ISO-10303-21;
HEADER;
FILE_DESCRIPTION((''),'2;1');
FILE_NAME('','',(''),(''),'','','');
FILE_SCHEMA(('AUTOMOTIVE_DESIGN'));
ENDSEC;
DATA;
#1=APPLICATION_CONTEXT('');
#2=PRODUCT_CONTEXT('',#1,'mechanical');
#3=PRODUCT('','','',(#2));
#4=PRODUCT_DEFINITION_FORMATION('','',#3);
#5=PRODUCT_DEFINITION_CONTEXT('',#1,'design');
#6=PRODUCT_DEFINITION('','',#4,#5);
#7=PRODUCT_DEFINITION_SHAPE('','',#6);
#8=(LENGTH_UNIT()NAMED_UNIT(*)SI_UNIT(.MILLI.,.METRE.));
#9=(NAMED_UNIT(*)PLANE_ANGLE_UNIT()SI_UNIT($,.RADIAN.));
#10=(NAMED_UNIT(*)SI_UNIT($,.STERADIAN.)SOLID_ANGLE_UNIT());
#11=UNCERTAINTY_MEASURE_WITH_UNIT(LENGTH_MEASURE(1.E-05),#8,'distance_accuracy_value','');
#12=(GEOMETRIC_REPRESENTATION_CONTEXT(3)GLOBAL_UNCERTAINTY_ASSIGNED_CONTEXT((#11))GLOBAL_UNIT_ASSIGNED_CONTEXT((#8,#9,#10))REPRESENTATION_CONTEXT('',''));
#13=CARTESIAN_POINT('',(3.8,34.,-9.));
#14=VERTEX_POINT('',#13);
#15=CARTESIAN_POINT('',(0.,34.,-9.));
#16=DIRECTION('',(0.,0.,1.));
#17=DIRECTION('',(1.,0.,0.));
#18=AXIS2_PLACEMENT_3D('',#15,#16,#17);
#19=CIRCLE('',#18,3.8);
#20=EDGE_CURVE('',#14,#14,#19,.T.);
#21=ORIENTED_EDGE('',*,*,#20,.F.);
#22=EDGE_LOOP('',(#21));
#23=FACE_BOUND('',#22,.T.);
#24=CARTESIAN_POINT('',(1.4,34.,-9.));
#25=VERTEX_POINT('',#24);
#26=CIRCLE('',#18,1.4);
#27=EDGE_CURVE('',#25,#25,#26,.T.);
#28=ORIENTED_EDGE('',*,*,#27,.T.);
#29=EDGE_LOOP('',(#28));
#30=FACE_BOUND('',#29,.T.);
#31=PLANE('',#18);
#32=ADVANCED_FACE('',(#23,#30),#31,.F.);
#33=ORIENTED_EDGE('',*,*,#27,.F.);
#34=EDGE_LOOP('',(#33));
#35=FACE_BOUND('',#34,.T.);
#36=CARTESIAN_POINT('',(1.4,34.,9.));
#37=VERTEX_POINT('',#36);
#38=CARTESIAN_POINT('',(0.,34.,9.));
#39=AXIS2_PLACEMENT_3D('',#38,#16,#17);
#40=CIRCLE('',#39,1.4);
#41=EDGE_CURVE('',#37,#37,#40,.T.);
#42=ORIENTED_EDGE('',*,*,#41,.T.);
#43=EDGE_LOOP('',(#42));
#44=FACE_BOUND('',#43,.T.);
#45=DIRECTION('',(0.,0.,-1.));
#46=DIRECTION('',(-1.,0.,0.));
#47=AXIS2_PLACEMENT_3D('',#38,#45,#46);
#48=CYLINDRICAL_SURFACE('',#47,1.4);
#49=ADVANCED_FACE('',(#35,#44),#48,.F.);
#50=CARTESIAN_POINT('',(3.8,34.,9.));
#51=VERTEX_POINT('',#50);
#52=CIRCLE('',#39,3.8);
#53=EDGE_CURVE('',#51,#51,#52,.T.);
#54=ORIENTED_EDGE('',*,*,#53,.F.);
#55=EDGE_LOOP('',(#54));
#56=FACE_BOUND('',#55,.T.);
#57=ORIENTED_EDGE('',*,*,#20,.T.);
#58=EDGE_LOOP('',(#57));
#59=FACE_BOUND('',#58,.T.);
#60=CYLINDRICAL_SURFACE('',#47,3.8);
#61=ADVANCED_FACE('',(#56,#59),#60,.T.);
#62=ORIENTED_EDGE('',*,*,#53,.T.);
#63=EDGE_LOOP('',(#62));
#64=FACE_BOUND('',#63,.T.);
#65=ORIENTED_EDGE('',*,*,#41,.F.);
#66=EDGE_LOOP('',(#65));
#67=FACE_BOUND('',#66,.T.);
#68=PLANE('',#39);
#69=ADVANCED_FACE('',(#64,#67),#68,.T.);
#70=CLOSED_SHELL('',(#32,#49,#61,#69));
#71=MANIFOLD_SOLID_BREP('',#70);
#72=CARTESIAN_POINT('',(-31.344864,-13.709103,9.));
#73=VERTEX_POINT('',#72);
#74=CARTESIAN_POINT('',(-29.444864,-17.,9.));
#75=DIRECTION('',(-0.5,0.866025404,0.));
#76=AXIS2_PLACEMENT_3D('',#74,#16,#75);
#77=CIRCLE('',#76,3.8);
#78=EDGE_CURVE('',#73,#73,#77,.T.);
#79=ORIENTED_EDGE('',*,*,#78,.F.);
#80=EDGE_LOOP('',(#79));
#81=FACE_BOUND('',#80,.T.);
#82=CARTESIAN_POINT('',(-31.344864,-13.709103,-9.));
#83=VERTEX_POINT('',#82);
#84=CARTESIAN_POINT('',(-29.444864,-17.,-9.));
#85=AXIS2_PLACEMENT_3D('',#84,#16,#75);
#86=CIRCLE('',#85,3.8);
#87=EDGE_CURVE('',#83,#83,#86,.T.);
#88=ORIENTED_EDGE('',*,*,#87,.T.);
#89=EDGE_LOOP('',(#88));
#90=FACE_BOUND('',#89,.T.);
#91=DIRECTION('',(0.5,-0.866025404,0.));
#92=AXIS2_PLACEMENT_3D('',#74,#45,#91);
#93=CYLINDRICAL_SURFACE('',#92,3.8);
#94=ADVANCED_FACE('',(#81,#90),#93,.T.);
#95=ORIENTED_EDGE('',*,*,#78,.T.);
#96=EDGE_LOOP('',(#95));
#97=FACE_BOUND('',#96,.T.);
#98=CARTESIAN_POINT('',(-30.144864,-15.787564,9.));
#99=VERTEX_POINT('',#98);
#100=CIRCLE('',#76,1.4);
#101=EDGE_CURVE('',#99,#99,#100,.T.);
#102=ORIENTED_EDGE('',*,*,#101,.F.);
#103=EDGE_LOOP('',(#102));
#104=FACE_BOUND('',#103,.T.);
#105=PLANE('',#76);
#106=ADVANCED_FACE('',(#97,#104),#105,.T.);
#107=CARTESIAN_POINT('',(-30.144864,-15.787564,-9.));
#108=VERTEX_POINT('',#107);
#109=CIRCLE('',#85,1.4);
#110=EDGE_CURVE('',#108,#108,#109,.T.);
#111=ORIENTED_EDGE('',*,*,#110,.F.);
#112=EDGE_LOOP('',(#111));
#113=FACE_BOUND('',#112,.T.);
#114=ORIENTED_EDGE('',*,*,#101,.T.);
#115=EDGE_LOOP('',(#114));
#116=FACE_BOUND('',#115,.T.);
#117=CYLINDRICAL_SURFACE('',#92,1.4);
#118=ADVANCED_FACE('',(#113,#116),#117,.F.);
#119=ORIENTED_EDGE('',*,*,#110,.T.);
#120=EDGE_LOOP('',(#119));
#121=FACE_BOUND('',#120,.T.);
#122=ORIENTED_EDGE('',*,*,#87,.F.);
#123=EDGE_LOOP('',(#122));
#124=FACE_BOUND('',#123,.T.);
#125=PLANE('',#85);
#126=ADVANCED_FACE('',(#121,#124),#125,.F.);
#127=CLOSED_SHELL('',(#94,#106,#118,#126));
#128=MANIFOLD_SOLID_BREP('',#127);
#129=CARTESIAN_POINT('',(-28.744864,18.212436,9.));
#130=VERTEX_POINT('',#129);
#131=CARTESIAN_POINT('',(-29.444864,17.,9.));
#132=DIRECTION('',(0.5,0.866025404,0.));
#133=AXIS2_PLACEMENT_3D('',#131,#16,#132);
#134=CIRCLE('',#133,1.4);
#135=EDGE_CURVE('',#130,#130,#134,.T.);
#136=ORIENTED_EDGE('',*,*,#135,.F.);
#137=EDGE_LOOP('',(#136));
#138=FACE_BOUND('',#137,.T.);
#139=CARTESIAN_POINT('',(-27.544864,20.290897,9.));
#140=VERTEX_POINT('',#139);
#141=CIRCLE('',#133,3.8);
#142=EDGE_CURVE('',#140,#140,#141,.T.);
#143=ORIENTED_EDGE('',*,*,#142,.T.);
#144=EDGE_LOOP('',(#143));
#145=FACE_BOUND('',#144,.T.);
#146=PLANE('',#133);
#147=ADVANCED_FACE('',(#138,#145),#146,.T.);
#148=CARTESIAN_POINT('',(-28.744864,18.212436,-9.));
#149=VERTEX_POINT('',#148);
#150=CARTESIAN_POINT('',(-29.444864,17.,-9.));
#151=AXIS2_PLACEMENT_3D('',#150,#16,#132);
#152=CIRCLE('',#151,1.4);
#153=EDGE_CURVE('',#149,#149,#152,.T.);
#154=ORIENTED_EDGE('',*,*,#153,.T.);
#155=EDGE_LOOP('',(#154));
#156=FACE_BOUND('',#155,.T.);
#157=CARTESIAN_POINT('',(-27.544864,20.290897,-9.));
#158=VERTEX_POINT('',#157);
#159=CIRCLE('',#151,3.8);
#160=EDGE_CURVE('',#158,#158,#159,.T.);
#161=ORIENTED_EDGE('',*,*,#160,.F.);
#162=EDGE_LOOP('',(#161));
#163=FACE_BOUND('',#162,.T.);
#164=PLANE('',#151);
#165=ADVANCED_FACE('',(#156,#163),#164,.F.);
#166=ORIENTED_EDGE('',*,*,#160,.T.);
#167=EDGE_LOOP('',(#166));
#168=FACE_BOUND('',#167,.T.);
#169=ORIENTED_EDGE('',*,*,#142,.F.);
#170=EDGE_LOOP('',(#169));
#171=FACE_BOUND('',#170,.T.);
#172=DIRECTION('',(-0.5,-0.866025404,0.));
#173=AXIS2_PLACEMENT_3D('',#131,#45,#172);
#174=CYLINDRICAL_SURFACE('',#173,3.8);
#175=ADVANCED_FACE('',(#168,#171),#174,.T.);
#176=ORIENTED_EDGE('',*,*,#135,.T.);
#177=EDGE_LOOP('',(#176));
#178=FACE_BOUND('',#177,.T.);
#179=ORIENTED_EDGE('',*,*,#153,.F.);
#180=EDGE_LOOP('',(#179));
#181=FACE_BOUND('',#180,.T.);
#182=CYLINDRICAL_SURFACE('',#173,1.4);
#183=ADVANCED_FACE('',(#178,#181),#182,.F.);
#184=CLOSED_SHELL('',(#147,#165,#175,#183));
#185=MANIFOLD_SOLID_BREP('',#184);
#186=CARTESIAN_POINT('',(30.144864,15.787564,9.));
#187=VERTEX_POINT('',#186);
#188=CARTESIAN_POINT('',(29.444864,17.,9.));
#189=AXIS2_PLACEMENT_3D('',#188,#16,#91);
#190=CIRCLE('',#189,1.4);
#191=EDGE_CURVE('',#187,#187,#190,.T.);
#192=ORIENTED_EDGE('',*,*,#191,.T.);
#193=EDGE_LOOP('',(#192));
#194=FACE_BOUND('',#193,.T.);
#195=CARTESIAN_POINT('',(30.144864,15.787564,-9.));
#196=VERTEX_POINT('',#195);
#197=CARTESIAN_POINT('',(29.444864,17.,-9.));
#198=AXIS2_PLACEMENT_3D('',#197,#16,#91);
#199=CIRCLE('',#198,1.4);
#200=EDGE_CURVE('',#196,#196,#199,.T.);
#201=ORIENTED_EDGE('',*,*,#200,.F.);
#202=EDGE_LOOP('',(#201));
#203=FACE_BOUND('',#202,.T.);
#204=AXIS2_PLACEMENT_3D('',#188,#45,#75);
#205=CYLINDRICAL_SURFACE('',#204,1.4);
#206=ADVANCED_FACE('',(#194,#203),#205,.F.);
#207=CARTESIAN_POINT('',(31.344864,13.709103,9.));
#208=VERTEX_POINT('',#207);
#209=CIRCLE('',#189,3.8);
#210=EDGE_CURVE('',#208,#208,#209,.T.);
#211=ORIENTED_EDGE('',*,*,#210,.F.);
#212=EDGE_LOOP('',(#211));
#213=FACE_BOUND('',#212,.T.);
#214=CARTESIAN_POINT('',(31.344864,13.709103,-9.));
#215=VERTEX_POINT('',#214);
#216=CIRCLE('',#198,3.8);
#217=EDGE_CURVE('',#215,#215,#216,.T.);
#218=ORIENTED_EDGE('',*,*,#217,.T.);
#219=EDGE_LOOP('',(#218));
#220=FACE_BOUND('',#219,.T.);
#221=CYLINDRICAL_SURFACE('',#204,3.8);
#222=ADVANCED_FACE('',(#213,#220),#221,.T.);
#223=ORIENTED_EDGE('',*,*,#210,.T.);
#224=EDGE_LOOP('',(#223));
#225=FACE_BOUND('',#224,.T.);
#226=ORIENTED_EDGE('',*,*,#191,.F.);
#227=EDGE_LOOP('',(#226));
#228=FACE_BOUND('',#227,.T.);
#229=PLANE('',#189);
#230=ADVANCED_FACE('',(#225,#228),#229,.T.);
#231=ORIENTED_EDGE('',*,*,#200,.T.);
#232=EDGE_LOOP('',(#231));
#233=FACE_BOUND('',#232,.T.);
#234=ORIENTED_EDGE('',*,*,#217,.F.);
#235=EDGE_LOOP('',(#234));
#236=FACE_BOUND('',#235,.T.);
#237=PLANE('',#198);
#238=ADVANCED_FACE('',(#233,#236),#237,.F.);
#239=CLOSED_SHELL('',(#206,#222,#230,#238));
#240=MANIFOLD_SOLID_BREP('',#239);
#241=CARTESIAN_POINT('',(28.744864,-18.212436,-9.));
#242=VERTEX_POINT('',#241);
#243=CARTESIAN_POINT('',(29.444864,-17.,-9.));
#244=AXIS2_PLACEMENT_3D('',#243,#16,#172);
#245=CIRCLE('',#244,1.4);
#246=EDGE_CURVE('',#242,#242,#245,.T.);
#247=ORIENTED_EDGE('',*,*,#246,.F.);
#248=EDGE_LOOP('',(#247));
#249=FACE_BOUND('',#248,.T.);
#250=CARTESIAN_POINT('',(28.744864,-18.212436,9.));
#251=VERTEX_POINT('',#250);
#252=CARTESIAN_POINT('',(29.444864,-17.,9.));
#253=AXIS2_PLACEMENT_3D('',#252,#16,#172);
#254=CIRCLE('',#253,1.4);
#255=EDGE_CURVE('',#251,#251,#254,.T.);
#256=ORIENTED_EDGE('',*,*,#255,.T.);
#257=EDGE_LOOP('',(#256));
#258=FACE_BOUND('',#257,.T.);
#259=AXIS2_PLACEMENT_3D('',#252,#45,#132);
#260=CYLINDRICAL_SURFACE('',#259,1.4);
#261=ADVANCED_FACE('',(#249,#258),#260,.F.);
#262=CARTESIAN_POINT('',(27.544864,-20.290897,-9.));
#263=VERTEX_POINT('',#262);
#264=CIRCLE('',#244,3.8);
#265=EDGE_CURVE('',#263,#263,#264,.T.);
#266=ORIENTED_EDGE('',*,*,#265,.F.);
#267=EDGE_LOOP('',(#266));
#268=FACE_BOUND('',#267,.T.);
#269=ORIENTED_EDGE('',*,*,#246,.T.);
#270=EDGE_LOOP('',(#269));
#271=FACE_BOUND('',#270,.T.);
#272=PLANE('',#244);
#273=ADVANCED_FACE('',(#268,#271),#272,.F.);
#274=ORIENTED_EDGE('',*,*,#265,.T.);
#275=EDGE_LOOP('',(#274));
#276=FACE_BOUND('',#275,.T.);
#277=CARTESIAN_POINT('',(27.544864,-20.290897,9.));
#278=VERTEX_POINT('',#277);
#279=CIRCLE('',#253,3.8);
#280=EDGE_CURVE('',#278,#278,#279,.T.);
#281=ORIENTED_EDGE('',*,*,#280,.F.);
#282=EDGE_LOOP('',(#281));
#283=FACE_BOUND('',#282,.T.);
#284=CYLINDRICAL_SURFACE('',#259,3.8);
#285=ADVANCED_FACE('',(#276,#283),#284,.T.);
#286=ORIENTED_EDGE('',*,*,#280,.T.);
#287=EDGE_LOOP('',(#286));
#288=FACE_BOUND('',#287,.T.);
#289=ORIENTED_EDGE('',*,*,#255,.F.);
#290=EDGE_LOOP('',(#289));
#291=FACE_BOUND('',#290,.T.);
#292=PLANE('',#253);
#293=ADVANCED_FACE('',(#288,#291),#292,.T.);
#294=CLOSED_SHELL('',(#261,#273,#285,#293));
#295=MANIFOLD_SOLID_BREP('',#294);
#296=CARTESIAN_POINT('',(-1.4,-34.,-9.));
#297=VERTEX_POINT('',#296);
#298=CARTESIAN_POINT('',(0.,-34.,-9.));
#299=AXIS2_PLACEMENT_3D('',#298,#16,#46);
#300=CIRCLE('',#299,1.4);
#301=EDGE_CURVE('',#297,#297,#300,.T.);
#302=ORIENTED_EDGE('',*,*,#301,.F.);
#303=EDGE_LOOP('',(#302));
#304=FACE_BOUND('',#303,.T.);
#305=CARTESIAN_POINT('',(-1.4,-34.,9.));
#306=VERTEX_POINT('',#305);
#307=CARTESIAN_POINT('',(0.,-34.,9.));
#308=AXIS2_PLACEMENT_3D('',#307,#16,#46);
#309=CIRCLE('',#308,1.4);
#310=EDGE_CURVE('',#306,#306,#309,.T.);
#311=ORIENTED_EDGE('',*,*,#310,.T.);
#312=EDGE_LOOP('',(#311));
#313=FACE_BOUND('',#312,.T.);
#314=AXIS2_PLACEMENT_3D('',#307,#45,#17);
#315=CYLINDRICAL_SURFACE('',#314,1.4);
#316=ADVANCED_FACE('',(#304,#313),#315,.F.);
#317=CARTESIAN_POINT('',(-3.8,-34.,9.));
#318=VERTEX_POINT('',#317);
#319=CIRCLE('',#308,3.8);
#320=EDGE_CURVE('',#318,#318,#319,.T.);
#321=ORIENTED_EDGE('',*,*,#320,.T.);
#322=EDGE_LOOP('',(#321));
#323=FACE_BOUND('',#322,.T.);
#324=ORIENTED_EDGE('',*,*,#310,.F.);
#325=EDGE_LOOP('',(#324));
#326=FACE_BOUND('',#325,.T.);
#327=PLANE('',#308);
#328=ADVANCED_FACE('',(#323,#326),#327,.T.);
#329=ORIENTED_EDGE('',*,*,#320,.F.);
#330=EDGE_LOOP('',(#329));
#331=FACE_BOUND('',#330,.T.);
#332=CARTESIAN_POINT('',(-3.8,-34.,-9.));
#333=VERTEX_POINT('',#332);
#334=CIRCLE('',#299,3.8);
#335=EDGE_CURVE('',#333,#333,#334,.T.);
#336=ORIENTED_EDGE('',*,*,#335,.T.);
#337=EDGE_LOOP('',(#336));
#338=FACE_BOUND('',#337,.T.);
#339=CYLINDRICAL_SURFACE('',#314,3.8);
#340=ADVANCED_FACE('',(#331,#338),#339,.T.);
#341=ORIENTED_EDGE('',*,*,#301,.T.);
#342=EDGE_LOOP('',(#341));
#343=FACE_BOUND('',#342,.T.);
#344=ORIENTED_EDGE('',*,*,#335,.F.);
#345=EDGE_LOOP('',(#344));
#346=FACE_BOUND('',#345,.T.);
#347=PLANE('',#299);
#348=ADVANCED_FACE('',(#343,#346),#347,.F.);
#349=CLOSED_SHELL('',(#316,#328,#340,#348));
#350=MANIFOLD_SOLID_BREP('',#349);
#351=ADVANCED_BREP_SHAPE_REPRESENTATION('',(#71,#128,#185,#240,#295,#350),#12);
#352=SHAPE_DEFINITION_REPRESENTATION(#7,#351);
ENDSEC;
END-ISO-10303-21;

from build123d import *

# Parameters (mm, degrees)
SCREW_HOLE_R        = 3.8
SCREW_HOLE_R_2      = 1.4
BOSS_EXTRUDE1_DEPTH = 9
CIRPATTERN1_COUNT   = 6


with BuildPart() as part:
    # Screw Hole → Boss-Extrude1 (new, symmetric)
    with BuildSketch(Plane.XY):
        with Locations((0, 34)):
            Circle(SCREW_HOLE_R)
        with Locations((0, 34)):
            Circle(SCREW_HOLE_R_2, mode=Mode.SUBTRACT)
    extrude(amount=BOSS_EXTRUDE1_DEPTH, both=True)


with BuildPart() as cirpattern1_1:
    # CirPattern1: pattern copy
    add(part.part.rotate(Axis((0, 0, 0), (0, 0, 1)), 1 * 360 / CIRPATTERN1_COUNT))


with BuildPart() as cirpattern1_2:
    # CirPattern1: pattern copy
    add(part.part.rotate(Axis((0, 0, 0), (0, 0, 1)), 2 * 360 / CIRPATTERN1_COUNT))


with BuildPart() as cirpattern1_3:
    # CirPattern1: pattern copy
    add(part.part.rotate(Axis((0, 0, 0), (0, 0, 1)), 3 * 360 / CIRPATTERN1_COUNT))


with BuildPart() as cirpattern1_4:
    # CirPattern1: pattern copy
    add(part.part.rotate(Axis((0, 0, 0), (0, 0, 1)), 4 * 360 / CIRPATTERN1_COUNT))


with BuildPart() as cirpattern1_5:
    # CirPattern1: pattern copy
    add(part.part.rotate(Axis((0, 0, 0), (0, 0, 1)), 5 * 360 / CIRPATTERN1_COUNT))


solid = Compound([part.part, cirpattern1_1.part, cirpattern1_2.part, cirpattern1_3.part, cirpattern1_4.part, cirpattern1_5.part])
